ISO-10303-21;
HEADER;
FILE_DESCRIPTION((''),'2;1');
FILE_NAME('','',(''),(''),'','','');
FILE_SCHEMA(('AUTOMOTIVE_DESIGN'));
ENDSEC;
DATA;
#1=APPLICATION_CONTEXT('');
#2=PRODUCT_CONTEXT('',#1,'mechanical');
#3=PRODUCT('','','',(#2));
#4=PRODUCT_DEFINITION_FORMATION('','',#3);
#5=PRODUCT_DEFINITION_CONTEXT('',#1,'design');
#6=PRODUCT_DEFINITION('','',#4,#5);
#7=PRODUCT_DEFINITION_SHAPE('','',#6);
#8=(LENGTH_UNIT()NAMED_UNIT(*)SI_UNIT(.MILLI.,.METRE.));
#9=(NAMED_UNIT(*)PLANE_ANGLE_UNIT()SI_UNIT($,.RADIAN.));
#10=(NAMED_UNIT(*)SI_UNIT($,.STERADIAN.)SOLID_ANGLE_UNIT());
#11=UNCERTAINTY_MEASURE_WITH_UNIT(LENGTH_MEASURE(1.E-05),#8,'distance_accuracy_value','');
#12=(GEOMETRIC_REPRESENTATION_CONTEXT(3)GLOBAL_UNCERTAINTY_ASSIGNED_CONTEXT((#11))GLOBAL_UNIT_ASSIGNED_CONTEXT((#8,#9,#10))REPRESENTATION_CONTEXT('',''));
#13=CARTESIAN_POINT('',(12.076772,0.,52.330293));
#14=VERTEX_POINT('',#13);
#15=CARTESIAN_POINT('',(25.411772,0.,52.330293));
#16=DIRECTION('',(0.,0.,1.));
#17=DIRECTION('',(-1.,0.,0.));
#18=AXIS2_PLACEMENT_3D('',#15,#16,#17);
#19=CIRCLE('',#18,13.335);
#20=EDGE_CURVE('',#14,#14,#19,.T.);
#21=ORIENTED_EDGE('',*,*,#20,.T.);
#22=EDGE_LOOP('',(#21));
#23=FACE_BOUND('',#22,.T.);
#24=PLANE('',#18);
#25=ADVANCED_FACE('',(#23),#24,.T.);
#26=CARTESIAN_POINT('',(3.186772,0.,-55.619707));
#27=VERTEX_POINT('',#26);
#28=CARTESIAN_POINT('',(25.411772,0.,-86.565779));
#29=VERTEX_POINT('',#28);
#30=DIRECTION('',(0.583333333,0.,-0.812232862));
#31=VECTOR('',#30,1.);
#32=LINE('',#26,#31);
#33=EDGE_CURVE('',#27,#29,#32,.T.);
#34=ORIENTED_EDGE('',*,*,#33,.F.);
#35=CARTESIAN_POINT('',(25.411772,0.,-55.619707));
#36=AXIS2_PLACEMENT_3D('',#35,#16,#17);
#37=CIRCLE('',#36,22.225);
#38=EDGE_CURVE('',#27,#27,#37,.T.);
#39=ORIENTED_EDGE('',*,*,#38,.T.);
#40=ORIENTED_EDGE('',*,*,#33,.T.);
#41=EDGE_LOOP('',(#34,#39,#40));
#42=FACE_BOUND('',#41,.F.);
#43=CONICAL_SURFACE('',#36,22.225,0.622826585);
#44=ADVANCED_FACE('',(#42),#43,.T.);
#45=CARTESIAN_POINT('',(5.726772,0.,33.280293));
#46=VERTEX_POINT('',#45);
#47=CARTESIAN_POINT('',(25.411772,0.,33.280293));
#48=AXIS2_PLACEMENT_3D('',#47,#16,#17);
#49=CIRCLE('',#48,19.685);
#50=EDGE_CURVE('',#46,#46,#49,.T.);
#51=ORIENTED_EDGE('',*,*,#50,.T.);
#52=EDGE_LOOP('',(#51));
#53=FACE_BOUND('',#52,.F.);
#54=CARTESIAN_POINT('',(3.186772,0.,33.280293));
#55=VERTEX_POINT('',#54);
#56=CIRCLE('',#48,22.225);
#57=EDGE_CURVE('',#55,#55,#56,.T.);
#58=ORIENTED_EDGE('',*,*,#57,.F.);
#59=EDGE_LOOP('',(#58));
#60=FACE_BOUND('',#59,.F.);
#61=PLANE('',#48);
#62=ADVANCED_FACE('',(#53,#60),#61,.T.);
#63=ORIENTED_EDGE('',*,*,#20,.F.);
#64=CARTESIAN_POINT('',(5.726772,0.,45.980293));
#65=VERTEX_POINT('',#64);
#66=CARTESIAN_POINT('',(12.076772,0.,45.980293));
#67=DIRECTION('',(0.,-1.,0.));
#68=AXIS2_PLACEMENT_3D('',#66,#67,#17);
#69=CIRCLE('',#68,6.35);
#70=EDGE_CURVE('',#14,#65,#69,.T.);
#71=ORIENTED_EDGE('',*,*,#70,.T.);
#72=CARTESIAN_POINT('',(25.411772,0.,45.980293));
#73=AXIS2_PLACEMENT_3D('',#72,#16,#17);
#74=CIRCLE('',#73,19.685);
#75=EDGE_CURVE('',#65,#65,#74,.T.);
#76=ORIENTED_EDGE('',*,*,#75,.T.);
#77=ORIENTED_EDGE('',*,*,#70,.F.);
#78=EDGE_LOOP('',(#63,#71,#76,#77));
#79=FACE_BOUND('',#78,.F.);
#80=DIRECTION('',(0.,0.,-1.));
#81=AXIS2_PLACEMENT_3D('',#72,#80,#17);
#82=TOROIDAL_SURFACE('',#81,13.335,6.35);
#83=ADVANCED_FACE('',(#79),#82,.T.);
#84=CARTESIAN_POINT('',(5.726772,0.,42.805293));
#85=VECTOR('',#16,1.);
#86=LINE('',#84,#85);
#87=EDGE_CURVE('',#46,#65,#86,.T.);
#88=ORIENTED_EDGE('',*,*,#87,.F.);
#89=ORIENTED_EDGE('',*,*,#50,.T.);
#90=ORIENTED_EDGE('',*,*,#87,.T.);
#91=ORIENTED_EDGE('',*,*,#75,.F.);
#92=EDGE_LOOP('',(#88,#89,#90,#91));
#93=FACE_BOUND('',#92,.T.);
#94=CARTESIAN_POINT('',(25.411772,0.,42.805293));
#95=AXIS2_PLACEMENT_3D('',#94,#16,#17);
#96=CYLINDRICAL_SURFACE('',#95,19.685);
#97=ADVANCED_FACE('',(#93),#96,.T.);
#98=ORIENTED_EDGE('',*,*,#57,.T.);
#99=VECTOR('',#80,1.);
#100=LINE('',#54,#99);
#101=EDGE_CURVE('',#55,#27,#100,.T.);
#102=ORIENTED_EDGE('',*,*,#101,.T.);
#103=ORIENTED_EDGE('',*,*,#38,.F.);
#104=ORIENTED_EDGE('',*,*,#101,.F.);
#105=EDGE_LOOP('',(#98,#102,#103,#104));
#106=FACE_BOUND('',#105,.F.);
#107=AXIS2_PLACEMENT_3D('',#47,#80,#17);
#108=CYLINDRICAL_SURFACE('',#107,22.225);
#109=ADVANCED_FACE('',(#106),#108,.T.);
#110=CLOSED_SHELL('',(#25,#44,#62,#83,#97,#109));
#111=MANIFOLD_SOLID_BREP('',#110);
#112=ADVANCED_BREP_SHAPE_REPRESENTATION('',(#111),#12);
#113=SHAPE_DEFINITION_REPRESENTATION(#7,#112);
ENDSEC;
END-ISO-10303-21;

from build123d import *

# Parameters (mm, degrees)
F0_W = 19.685
F0_H = 19.05
F2_R = 6.35


with BuildPart() as f1:
    # F0 (on Front) → F1 (revolve)
    with BuildSketch(Plane.XZ):
        Polygon((3.1867721118, 33.2802927613), (3.1867721118, -55.6197072387), (25.4117721118, -55.6197072387), (25.4117721118, 33.2802927613), (5.7267721118, 33.2802927613), align=None)
        with Locations((15.5692721118, 42.8052927613)):
            Rectangle(F0_W, F0_H)
        Polygon((25.4117721118, -55.6197072387), (3.1867721118, -55.6197072387), (25.4117721118, -86.5657792834), align=None)
    revolve(axis=Axis((25.4117721118, 0, 1.1329754517), (0, 0, 1)))

    # F2
    f2_edges = [f1.edges().sort_by_distance(p)[0] for p in [
        (45.096772, 0, 52.330293),
    ]]
    fillet(f2_edges, radius=F2_R)


solid = f1.part
